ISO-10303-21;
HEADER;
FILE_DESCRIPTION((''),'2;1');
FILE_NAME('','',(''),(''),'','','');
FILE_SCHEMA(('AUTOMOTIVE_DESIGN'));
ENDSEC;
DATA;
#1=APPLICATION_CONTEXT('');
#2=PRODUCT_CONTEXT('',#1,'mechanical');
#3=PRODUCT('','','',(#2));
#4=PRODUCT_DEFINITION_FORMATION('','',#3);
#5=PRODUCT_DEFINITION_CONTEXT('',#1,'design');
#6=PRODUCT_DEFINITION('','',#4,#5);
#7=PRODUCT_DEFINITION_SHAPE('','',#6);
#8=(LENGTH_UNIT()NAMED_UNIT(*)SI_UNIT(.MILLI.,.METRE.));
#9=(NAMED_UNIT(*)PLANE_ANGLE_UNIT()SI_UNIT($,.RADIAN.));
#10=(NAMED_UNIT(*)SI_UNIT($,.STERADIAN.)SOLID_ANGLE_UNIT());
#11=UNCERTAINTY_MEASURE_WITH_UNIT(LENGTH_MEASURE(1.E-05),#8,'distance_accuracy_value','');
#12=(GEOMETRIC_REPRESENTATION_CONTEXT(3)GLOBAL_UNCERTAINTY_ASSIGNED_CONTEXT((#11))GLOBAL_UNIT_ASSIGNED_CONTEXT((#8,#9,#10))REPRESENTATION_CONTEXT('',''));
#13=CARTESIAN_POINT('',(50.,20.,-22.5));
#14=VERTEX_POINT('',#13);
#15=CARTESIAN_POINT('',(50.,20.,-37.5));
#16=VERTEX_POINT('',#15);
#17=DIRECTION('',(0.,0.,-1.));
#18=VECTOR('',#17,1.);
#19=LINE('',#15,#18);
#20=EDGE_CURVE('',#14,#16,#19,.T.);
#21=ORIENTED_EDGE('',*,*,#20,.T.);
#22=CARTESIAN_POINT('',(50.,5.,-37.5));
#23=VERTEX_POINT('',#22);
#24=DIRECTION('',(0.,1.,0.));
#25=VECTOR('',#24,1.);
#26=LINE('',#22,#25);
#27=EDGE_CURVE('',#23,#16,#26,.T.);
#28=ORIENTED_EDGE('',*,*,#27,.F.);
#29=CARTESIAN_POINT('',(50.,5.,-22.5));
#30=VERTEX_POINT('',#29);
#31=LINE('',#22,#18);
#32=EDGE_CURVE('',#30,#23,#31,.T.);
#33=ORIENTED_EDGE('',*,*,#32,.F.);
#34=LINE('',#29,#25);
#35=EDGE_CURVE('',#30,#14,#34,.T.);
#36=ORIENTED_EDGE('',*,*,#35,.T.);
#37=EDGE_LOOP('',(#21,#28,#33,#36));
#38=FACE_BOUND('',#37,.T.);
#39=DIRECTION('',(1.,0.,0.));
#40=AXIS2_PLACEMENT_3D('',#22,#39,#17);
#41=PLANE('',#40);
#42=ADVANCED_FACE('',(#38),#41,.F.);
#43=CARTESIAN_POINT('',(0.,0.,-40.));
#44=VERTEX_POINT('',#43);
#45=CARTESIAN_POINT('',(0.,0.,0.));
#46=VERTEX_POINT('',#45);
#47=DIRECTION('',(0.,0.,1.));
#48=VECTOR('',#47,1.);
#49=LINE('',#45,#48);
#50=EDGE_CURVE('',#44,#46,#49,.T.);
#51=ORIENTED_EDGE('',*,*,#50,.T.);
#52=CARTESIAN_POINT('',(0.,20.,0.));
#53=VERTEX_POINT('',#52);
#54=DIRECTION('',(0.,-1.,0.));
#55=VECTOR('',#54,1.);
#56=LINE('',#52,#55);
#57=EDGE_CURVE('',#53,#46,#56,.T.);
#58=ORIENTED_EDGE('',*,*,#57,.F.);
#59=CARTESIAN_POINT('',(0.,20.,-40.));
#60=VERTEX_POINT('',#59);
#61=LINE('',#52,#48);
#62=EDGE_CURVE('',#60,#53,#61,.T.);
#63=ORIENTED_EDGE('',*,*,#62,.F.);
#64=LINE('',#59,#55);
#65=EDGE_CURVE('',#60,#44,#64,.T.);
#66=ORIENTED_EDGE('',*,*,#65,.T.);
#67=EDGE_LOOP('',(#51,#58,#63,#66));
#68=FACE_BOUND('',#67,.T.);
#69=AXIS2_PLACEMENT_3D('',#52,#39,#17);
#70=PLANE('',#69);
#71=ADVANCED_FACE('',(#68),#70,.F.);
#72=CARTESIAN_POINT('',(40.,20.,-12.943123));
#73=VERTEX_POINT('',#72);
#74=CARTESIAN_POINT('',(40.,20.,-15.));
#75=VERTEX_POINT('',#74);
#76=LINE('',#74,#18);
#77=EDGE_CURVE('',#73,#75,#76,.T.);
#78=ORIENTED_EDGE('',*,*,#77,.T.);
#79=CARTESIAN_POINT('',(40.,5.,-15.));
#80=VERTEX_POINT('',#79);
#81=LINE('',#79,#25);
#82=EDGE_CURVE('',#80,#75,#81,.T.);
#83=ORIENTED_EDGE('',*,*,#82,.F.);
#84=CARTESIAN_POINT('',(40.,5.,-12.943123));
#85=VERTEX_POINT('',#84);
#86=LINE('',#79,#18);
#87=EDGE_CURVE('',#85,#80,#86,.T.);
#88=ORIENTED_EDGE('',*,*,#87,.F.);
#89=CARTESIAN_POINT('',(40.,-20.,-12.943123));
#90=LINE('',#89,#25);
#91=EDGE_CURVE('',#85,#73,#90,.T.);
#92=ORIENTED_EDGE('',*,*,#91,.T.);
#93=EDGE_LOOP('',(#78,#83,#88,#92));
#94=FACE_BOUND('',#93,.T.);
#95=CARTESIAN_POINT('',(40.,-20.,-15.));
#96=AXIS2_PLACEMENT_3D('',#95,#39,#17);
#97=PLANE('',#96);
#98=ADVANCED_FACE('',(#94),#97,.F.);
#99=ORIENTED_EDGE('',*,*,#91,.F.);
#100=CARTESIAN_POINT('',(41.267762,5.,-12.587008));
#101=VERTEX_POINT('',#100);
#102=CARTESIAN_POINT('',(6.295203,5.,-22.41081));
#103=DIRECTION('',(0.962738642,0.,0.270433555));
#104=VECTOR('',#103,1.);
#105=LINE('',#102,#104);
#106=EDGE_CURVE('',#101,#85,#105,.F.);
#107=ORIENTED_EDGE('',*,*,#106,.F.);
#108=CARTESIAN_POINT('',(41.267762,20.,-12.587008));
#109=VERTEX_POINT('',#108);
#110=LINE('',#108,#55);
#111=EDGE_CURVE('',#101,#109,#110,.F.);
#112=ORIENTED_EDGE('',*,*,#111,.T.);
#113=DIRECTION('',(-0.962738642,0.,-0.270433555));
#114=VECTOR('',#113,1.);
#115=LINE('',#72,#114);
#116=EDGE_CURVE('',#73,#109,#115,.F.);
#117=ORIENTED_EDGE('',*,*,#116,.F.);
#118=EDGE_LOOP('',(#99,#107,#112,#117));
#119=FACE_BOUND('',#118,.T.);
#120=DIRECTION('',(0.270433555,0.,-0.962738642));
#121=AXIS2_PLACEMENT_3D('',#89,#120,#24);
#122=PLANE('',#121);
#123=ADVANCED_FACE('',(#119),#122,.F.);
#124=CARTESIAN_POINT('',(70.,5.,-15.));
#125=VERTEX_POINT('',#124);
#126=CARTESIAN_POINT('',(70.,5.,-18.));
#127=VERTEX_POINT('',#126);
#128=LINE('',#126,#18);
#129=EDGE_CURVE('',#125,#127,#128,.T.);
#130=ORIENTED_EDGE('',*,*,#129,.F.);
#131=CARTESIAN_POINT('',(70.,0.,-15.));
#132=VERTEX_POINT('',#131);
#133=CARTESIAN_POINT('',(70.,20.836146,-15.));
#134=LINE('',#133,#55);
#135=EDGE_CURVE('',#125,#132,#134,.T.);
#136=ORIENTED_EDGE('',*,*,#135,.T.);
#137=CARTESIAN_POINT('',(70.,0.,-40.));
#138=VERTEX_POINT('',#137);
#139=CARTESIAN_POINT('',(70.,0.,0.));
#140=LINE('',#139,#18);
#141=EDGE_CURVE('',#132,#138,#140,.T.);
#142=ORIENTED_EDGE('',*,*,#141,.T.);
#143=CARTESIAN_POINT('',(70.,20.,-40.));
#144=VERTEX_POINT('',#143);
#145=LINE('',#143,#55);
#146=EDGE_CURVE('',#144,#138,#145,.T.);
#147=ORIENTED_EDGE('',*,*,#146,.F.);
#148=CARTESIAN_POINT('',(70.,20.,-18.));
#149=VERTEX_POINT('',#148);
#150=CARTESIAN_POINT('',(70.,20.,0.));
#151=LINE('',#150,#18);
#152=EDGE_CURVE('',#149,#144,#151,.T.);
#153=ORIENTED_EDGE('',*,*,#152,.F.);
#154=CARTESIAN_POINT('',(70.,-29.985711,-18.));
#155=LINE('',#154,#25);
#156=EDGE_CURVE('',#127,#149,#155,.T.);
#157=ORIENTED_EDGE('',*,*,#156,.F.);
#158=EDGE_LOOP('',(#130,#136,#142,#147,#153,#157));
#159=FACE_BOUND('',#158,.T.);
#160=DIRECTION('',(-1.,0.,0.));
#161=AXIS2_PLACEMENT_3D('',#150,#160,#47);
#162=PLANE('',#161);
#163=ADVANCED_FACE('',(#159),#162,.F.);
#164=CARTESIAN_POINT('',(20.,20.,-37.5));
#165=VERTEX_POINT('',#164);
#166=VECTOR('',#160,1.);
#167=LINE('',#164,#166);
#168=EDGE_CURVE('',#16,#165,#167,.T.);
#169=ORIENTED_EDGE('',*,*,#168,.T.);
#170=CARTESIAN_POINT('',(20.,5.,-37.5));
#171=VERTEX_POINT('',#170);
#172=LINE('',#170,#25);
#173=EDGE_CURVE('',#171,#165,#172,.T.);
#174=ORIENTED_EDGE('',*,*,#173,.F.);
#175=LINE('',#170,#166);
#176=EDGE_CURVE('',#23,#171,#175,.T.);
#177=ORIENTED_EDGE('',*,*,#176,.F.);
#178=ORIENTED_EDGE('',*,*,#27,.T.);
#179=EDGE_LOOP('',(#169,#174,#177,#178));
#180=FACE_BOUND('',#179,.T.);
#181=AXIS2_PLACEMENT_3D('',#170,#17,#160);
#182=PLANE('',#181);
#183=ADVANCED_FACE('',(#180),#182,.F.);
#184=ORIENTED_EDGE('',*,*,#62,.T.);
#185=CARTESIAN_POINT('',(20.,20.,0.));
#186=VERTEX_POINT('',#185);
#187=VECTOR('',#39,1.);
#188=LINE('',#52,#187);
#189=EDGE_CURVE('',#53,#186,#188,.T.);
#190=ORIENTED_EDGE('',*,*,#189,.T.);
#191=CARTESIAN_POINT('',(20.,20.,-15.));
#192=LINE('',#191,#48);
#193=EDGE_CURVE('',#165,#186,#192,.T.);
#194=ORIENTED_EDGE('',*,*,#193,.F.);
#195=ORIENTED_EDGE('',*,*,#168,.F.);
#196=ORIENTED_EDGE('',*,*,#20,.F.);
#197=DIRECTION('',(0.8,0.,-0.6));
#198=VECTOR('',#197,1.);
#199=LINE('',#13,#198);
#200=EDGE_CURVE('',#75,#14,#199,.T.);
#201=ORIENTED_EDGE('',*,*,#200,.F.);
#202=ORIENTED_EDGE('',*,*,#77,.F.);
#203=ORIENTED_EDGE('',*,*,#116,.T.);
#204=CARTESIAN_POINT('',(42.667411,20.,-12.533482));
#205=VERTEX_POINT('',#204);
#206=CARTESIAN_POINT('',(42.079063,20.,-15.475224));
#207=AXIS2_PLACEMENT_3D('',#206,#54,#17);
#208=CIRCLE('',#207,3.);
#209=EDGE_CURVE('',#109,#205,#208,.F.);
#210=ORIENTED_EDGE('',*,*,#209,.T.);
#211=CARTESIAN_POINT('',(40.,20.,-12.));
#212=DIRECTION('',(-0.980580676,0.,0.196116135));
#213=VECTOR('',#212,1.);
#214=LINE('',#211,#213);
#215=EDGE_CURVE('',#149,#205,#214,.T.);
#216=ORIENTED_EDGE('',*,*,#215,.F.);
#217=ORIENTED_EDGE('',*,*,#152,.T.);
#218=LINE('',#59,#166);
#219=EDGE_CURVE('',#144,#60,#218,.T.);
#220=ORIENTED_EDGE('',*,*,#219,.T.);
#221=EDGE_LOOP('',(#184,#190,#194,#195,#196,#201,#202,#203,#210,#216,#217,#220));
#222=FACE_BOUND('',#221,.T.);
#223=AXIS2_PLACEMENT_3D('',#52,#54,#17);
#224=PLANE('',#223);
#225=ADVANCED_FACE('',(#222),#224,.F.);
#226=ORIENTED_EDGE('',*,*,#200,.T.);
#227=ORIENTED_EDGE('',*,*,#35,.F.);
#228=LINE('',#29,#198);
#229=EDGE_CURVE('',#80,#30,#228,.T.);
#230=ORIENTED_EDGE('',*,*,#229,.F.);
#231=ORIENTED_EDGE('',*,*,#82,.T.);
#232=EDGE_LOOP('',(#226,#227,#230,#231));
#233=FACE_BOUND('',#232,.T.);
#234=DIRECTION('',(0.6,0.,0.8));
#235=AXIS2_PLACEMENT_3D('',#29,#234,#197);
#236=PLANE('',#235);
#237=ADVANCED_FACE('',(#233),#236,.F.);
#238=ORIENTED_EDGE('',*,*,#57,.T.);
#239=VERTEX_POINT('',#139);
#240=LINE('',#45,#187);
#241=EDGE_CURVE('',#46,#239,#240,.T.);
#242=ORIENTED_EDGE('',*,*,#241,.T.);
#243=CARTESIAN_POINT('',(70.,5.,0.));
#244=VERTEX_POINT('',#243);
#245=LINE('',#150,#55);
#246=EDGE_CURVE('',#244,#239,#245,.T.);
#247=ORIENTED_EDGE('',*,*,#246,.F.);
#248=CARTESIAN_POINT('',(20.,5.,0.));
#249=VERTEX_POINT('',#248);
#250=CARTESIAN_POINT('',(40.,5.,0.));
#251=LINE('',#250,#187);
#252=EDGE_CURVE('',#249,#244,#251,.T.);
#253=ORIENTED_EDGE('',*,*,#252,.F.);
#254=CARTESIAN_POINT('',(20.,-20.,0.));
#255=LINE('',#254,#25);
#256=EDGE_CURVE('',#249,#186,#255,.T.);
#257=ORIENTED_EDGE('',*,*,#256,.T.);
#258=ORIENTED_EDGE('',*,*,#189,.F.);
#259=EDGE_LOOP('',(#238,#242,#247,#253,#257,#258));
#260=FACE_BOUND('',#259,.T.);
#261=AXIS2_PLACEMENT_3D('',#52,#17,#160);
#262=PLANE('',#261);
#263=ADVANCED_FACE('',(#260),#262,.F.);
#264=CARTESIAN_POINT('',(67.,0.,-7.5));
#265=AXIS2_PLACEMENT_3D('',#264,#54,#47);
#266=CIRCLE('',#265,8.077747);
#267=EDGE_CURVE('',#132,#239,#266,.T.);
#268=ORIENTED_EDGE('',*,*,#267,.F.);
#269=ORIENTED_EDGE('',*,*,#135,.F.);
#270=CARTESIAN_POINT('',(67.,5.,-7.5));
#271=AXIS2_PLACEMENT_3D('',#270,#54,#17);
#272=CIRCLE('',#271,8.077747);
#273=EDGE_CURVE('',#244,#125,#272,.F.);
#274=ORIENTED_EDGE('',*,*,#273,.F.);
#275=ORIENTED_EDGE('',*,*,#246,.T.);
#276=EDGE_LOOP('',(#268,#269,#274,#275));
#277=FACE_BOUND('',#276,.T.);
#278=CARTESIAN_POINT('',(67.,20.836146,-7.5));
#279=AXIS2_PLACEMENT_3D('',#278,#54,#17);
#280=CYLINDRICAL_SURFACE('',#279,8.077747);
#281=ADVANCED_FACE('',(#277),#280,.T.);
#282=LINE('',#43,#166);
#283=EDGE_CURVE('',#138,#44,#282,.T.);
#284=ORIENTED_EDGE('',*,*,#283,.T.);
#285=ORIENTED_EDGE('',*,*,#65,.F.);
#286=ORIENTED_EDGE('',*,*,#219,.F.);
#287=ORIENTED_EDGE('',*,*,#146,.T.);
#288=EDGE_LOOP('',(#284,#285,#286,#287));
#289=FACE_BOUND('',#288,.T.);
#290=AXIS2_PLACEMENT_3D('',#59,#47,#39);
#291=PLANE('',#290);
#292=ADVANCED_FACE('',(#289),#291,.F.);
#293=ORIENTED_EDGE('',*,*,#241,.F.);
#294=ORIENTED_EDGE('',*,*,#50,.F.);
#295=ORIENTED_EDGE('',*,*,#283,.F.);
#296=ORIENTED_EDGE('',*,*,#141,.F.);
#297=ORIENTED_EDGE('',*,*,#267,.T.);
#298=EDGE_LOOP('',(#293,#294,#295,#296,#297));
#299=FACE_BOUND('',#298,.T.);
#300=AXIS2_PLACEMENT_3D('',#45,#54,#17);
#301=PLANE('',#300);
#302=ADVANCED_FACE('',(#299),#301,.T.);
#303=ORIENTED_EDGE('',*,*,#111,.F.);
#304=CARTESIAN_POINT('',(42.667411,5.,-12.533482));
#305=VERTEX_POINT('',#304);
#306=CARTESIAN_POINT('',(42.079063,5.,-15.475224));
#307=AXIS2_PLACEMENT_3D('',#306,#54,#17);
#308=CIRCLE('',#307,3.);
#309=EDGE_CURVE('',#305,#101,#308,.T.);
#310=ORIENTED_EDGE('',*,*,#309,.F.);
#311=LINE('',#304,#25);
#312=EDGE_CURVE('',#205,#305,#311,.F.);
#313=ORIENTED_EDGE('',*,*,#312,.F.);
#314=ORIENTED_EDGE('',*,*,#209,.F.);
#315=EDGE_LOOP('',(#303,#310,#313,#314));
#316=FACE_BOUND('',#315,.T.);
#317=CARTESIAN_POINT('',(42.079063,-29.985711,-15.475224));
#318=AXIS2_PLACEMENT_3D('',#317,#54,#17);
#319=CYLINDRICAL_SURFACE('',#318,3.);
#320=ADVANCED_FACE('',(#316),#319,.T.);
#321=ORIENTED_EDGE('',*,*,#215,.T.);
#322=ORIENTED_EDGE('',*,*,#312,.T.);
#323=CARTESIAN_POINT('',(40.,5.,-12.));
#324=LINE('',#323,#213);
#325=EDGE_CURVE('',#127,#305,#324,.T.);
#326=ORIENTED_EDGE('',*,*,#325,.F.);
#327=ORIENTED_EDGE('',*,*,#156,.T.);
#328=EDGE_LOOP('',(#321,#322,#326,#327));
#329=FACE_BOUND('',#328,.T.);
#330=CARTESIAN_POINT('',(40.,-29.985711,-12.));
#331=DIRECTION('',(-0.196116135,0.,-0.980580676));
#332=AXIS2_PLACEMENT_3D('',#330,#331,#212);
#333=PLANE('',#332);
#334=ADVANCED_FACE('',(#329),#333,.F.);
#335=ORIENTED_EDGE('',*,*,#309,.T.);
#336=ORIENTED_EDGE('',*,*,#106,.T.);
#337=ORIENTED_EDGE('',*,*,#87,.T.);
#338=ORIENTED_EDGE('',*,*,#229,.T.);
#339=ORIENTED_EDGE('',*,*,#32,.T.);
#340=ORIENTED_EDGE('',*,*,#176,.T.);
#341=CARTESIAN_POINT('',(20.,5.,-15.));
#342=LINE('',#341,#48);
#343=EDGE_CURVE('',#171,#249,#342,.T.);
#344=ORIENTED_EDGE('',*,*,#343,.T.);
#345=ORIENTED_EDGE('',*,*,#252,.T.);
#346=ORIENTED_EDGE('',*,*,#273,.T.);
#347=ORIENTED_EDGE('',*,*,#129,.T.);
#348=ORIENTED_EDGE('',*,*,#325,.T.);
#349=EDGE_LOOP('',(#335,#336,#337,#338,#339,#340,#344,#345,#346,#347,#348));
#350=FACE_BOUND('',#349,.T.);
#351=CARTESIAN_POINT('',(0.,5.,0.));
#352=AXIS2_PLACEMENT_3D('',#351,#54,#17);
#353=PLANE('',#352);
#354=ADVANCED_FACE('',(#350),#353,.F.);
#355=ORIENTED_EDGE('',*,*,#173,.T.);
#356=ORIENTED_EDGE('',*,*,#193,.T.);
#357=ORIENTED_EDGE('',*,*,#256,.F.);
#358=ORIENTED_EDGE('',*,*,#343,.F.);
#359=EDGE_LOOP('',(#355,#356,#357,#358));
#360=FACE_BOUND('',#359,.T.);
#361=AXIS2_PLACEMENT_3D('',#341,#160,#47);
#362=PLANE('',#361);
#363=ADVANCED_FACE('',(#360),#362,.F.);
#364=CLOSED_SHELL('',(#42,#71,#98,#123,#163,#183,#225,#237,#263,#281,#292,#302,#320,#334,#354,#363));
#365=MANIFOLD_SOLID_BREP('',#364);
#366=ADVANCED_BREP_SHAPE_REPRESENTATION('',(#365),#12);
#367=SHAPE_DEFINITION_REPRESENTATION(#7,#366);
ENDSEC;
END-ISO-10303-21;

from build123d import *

# Parameters (mm, degrees)
SKETCH1_W           = 70
SKETCH1_H           = 40
BOSS_EXTRUDE1_DEPTH = 20
CUT_EXTRUDE1_DEPTH  = 15
SKETCH3_W           = 20
SKETCH3_H           = 15
CUT_EXTRUDE2_DEPTH  = 15
CUT_EXTRUDE3_DEPTH  = 15
CHAMFER1_SIZE       = 2
CHAMFER1_SIZE2      = 0.943123045
FILLET1_R           = 3
BOSS_EXTRUDE2_DEPTH = 5


with BuildPart() as part:
    # Sketch1 → Boss-Extrude1 (new body)
    with BuildSketch(Plane(origin=(0, 0, 0), x_dir=(1, 0, 0), z_dir=(0, 1, 0))):
        with Locations((35, 20)):
            Rectangle(SKETCH1_W, SKETCH1_H)
    extrude(amount=BOSS_EXTRUDE1_DEPTH)

    # Sketch2 → Cut-Extrude1 (cut)
    with BuildSketch(Plane(origin=(0, 20, 0), x_dir=(1, 0, 0), z_dir=(0, 1, 0))):
        Polygon((20, 15), (20, 37.5), (50, 37.5), (50, 22.5), (40, 15), align=None)
    extrude(amount=-CUT_EXTRUDE1_DEPTH, mode=Mode.SUBTRACT)

    # Sketch3 → Cut-Extrude2 (cut)
    with BuildSketch(Plane(origin=(0, 20, 0), x_dir=(1, 0, 0), z_dir=(0, 1, 0))):
        with Locations((30, 7.5)):
            Rectangle(SKETCH3_W, SKETCH3_H)
    extrude(amount=-CUT_EXTRUDE2_DEPTH, mode=Mode.SUBTRACT)

    # Sketch4 → Cut-Extrude3 (cut)
    with BuildSketch(Plane(origin=(0, 20, 0), x_dir=(1, 0, 0), z_dir=(0, 1, 0))):
        Polygon((40, 12), (70, 18), (70, 0), (40, 0), align=None)
    extrude(amount=-CUT_EXTRUDE3_DEPTH, mode=Mode.SUBTRACT)

    # Chamfer1
    chamfer1_edges = [part.edges().sort_by_distance(p)[0] for p in [
        (40, 12.5, -12),
    ]]
    chamfer1_side = [part.faces().sort_by_distance(p)[0] for p in [
        (55, 12.5, -15),
    ]]
    chamfer(chamfer1_edges, length=CHAMFER1_SIZE, length2=CHAMFER1_SIZE2, reference=chamfer1_side[0])

    # Fillet1
    fillet1_edges = [part.edges().sort_by_distance(p)[0] for p in [
        (41.961161351, 12.5, -12.39223227),
    ]]
    fillet(fillet1_edges, radius=FILLET1_R)

    # Sketch5 → Boss-Extrude2 (add)
    with BuildSketch(Plane.XZ):
        with BuildLine():
            Line((70, -15), (70, 0))
            ThreePointArc((70, 0), (75.077747211, -7.5), (70, -15))
        make_face()
    extrude(amount=-BOSS_EXTRUDE2_DEPTH)


solid = part.part
